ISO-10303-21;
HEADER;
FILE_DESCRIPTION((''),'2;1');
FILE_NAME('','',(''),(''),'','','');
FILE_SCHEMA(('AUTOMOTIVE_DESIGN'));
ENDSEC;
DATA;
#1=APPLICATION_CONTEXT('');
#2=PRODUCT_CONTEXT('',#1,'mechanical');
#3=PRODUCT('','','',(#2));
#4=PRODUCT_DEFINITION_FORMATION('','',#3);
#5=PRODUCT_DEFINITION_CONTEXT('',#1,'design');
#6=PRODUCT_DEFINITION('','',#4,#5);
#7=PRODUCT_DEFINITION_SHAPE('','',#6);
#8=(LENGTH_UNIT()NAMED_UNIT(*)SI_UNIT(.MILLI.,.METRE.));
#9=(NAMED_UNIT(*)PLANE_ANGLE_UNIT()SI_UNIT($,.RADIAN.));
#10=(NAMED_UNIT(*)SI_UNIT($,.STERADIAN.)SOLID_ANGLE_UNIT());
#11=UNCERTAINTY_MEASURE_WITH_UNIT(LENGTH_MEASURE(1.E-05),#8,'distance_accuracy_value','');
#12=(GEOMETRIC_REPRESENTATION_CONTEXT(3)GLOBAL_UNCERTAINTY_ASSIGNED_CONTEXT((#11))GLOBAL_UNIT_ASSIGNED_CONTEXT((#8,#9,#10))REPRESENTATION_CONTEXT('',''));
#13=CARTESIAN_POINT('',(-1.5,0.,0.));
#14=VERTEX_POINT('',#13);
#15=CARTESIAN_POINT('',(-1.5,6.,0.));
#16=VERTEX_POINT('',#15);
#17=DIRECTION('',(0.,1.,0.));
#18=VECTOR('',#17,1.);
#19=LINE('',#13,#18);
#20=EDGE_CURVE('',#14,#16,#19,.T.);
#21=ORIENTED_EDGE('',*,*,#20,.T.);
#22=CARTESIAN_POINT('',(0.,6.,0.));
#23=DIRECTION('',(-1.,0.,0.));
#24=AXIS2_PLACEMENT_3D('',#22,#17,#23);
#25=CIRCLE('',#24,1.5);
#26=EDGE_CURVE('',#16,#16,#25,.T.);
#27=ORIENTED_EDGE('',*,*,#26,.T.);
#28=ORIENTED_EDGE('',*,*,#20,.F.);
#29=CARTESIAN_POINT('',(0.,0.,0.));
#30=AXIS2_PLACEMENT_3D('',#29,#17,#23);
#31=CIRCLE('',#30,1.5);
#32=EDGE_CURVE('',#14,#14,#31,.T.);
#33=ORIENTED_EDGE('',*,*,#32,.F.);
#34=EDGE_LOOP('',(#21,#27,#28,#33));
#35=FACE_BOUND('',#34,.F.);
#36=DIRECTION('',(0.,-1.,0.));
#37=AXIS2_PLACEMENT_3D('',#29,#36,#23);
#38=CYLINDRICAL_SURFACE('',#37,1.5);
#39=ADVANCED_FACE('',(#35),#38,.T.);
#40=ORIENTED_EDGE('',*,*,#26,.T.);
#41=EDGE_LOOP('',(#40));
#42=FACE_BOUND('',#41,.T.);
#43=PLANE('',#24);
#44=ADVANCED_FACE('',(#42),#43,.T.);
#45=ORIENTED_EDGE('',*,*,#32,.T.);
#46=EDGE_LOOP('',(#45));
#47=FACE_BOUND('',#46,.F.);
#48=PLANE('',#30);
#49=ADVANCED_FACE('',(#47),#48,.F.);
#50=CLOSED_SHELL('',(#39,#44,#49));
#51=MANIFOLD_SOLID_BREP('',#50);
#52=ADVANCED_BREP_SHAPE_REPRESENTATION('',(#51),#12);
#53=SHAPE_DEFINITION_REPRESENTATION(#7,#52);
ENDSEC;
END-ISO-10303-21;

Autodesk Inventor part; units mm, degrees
ref_plane "YZ Plane" through (0, 0, 0) normal (1, 0, 0) x (0, 1, 0)
ref_plane "XZ Plane" through (0, 0, 0) normal (0, 1, 0) x (-1, 0, 0)
ref_plane "XY Plane" through (0, 0, 0) normal (0, 0, 1) x (1, 0, 0)
sketch "Skizze1" plane through (0, 0, 0) normal (0, 1, 0) x (-1, 0, 0)
  circle A0 centre (0, 0) radius 1.5
  dimension "d0" = 3
extrude "Extrusion1" add sketch "Skizze1" along normal blind 6
properties part number "Pins"
